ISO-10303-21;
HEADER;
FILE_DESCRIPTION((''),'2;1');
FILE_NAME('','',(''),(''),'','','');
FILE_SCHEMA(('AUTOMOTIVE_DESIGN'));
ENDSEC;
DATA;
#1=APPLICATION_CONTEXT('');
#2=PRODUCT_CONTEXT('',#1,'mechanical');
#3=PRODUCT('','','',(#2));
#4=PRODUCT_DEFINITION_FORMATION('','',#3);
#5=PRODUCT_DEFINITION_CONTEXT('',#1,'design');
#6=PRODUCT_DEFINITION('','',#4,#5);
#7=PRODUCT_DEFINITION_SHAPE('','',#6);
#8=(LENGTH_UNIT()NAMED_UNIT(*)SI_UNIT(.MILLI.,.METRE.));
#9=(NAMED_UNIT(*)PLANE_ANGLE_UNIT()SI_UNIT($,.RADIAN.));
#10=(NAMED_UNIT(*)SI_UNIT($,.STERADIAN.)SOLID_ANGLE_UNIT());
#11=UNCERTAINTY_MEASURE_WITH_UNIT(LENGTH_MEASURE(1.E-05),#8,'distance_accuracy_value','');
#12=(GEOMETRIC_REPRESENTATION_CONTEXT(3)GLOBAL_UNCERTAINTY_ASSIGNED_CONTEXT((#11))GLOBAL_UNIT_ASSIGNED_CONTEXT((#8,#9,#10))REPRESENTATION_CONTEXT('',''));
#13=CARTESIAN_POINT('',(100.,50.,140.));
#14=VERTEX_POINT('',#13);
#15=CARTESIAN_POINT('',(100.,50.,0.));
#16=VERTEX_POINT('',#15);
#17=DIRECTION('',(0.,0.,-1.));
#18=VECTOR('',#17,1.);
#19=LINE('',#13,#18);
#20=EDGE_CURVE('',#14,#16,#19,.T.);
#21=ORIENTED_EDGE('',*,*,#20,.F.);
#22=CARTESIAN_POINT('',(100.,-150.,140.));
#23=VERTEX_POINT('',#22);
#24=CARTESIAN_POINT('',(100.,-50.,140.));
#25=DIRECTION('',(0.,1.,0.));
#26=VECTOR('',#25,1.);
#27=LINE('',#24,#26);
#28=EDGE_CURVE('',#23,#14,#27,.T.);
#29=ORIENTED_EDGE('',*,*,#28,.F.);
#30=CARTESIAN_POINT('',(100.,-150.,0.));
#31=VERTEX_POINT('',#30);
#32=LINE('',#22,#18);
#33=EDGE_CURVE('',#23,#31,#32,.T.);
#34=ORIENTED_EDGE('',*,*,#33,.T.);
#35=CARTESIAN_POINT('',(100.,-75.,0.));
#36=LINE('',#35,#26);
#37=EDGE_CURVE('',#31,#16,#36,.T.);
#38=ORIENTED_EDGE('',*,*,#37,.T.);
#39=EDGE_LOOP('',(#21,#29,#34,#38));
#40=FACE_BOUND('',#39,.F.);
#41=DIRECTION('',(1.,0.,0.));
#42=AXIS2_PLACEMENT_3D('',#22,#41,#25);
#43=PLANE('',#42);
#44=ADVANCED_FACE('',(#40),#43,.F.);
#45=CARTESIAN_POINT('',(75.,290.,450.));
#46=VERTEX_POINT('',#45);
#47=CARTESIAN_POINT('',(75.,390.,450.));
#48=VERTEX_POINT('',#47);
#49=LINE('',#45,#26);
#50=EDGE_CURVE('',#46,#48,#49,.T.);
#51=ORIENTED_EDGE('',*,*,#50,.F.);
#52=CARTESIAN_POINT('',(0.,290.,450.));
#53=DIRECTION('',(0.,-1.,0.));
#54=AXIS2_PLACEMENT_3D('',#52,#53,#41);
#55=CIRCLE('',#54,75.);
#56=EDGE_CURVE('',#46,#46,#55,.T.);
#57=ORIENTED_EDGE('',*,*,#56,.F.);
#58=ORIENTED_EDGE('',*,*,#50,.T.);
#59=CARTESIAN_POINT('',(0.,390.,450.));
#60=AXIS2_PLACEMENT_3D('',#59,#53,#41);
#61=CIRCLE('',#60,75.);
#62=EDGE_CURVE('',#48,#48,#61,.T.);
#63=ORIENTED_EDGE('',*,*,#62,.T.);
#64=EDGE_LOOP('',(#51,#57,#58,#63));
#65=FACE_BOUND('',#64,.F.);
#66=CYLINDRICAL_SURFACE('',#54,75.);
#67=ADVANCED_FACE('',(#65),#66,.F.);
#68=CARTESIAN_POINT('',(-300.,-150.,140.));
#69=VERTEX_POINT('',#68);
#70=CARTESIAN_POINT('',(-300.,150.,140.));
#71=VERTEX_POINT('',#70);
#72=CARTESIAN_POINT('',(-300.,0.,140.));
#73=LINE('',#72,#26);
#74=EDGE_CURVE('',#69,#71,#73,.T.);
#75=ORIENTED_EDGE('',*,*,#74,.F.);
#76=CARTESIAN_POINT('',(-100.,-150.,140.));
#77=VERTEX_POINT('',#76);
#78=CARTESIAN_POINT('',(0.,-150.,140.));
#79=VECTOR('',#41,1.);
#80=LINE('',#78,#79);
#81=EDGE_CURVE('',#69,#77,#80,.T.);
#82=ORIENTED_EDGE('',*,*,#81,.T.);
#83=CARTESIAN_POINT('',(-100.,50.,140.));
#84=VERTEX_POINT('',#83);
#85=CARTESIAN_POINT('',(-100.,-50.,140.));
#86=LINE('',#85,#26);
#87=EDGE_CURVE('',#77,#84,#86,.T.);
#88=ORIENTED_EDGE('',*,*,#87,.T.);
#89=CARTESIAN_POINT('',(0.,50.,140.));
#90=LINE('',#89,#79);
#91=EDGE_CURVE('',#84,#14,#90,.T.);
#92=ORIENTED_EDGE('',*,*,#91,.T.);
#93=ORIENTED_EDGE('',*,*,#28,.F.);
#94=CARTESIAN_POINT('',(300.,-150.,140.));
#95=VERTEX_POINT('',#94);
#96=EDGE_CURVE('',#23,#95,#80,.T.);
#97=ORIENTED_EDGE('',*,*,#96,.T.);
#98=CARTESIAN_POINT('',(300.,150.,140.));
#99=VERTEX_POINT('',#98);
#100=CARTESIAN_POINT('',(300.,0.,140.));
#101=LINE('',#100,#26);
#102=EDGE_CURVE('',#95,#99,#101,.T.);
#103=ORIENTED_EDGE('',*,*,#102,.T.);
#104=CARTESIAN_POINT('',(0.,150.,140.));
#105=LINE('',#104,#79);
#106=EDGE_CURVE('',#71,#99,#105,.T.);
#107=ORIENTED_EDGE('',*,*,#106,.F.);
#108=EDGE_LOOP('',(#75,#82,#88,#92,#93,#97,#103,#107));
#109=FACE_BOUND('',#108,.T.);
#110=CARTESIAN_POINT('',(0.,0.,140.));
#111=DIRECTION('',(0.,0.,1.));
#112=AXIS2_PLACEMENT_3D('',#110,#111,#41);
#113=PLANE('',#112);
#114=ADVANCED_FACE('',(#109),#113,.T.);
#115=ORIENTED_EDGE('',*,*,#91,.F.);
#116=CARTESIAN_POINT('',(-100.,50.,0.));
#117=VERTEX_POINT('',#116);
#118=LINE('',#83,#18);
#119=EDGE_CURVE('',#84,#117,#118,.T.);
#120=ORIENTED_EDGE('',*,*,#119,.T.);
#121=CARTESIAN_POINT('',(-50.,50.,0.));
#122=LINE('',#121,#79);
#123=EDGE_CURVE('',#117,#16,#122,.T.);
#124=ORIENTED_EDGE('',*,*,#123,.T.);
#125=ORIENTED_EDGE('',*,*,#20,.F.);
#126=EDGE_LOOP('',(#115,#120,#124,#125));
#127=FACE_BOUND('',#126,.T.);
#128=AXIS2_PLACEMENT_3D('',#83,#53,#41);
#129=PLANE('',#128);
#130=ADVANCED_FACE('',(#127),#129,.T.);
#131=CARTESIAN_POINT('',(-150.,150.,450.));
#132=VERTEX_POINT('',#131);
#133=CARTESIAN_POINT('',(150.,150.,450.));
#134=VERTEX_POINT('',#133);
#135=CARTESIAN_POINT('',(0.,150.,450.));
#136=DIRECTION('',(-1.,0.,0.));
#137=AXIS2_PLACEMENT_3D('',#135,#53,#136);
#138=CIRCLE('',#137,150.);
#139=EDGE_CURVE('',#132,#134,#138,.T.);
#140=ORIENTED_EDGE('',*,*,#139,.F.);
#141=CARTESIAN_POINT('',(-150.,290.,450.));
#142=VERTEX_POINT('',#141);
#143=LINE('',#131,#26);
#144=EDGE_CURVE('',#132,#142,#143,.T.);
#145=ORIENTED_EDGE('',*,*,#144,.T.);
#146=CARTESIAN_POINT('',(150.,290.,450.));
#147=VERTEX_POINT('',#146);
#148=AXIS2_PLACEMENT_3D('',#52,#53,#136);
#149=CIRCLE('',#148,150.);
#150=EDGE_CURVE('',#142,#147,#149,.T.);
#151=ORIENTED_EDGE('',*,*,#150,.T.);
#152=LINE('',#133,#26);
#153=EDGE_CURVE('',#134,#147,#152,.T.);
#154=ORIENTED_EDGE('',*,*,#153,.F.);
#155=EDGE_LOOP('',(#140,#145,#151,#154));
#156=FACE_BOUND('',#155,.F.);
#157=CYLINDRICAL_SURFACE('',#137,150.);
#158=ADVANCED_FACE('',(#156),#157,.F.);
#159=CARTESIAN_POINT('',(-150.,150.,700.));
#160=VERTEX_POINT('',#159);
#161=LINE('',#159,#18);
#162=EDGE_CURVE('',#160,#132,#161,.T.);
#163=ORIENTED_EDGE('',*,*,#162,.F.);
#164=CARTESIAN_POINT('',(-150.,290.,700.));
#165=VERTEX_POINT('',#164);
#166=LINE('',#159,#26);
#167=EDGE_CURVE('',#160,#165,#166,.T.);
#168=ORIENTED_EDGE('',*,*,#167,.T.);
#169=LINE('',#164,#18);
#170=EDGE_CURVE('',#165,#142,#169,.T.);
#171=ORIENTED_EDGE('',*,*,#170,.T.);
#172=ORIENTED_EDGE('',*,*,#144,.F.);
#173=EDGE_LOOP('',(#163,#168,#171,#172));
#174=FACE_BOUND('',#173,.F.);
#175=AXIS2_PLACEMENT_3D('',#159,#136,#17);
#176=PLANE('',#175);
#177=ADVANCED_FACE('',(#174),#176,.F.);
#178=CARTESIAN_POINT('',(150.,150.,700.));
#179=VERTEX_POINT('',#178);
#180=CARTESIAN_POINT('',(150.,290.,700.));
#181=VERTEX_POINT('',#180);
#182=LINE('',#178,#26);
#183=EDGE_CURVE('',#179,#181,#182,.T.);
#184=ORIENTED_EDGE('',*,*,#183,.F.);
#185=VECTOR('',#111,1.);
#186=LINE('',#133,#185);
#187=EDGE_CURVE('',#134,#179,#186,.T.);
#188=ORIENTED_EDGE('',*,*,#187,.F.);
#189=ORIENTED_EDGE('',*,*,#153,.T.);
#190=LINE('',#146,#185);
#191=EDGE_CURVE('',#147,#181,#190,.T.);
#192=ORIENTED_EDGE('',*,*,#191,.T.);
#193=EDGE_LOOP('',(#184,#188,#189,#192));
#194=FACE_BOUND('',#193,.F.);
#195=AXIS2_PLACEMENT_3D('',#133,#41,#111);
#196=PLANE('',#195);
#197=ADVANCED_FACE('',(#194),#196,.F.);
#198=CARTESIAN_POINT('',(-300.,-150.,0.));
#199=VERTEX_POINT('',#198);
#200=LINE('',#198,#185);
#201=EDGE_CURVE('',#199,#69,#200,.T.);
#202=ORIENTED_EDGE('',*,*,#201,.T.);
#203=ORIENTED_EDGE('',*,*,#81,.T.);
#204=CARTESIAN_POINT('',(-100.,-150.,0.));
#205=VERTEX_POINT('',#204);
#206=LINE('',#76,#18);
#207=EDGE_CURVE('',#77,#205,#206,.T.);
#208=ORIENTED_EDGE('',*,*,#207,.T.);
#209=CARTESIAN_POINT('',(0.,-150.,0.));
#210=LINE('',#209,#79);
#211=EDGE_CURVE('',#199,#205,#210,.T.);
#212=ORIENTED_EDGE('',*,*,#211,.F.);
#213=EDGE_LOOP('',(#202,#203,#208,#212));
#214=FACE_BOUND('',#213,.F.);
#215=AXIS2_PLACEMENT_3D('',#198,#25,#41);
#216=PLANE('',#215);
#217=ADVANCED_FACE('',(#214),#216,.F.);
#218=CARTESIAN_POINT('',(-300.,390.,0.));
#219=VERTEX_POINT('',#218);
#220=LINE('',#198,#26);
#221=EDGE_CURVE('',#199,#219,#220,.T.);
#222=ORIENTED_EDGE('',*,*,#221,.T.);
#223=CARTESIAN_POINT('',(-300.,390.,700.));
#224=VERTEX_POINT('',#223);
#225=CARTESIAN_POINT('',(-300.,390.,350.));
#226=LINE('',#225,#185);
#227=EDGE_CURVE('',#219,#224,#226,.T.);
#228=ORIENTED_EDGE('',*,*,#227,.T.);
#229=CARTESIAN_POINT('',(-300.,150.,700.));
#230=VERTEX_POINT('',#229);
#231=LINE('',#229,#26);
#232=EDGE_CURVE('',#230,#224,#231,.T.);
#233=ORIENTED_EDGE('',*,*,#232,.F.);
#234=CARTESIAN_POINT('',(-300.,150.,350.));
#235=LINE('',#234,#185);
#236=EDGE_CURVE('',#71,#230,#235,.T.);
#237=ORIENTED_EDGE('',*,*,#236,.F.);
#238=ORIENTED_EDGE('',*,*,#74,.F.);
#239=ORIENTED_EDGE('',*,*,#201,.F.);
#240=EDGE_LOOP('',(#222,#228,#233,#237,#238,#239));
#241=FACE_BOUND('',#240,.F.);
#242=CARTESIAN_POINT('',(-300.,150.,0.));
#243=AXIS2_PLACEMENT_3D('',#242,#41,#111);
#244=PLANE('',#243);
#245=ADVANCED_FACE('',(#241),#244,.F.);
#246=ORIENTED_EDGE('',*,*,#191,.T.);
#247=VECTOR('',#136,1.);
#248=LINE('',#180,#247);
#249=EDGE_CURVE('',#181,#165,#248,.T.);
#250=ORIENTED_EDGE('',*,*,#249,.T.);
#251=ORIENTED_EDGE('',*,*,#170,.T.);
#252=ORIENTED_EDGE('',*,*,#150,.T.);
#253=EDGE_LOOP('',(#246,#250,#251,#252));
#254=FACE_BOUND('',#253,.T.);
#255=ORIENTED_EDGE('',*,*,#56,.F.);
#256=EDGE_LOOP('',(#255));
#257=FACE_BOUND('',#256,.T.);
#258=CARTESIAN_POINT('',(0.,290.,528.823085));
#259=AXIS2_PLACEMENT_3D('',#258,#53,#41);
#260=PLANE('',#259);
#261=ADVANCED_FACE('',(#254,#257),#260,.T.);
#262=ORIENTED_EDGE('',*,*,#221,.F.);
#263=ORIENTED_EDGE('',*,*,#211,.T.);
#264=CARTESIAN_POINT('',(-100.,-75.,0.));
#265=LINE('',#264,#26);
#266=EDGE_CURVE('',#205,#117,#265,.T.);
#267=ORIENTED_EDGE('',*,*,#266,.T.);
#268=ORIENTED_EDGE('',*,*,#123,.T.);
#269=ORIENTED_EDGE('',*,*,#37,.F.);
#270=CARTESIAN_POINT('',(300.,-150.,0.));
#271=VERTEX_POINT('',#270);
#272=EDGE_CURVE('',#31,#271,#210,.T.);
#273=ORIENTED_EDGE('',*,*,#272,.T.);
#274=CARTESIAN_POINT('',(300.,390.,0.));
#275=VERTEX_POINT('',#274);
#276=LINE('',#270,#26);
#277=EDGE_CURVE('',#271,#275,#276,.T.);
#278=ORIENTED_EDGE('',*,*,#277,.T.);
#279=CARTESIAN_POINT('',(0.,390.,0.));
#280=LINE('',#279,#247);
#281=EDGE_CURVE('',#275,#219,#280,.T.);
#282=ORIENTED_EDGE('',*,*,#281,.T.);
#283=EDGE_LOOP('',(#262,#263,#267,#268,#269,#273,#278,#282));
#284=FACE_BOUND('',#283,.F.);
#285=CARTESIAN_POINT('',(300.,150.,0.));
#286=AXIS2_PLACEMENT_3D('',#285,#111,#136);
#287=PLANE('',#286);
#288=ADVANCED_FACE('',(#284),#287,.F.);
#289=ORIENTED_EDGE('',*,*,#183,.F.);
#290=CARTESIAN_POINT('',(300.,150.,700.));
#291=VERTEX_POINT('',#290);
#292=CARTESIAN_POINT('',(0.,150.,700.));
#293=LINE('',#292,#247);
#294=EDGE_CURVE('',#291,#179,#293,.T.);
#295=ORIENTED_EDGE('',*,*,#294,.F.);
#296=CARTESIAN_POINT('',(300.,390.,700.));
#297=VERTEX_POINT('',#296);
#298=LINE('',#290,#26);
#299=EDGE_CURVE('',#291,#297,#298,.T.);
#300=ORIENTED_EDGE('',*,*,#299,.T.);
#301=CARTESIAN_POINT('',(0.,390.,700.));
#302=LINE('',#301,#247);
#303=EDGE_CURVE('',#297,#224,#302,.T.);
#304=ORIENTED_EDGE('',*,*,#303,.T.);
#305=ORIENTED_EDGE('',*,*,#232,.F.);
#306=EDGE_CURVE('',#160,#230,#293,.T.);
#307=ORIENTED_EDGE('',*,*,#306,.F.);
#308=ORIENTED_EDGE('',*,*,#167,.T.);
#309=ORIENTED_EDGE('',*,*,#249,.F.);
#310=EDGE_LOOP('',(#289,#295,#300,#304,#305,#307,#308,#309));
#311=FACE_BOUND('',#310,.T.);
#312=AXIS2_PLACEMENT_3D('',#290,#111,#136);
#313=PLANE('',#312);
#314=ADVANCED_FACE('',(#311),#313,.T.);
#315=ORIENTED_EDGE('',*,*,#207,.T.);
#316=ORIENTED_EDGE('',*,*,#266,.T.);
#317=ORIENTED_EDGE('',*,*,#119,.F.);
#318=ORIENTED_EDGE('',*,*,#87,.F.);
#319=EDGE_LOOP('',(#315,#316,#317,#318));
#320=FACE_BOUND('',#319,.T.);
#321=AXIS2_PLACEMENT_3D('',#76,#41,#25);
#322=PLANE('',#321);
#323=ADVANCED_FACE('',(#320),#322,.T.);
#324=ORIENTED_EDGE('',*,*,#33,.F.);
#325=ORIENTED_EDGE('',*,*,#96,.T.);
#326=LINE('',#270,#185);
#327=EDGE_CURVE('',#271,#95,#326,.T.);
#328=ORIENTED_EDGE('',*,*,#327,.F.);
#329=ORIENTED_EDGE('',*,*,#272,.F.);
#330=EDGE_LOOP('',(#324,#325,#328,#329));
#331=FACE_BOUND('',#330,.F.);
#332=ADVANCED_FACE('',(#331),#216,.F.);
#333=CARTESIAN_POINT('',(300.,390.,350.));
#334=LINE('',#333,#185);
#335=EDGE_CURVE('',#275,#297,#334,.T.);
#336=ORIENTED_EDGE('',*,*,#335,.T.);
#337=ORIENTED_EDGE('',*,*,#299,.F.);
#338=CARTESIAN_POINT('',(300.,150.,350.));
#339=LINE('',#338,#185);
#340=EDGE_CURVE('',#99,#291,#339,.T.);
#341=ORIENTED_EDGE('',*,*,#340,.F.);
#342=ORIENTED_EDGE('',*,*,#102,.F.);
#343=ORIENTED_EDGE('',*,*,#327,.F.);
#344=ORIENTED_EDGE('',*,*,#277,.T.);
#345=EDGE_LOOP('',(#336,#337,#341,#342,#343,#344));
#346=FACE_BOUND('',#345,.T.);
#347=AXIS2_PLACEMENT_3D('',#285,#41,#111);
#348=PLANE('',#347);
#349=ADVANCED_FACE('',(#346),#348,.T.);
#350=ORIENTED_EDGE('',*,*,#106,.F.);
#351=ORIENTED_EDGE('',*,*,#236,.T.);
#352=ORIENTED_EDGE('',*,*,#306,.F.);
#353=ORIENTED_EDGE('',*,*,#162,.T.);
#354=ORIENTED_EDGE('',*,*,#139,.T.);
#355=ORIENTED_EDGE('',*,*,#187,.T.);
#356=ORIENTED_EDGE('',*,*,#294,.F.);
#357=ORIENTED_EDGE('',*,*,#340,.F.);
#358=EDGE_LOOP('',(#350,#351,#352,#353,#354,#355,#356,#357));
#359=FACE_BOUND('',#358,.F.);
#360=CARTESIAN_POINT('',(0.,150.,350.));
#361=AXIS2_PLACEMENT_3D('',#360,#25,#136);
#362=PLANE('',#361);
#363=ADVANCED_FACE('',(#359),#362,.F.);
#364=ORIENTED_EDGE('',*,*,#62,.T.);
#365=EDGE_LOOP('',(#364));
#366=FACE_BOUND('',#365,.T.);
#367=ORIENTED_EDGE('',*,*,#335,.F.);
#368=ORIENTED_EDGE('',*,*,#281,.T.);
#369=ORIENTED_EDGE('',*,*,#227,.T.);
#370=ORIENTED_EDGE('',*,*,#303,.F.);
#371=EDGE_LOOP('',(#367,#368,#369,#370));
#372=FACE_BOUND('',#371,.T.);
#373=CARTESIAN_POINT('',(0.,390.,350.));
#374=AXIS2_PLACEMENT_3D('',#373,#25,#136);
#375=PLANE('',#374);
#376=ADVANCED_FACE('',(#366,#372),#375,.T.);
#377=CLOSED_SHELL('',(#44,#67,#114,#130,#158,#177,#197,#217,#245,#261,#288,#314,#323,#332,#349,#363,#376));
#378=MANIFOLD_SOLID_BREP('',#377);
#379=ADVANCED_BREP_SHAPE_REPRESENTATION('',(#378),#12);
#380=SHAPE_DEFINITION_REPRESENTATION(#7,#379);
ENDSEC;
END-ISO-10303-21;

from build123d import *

# Parameters (mm, degrees)
F0_W     = 600
F0_H     = 300
F1_DEPTH = 140
F2_W     = 200
F2_H     = 200
F3_DEPTH = 140.001
F4_W     = 600
F4_H     = 700
F5_DEPTH = 240
F7_DEPTH = 140
F8_R     = 75
F9_DEPTH = 100.001


with BuildPart() as f1:
    # F0 (on Top) → F1 (new body)
    with BuildSketch(Plane.XY):
        Rectangle(F0_W, F0_H)
    extrude(amount=F1_DEPTH)

    # F2 (on face) → F3 (cut, through all)
    with BuildSketch(Plane.XY.offset(140)):
        with Locations((0, -50)):
            Rectangle(F2_W, F2_H)
    extrude(amount=-F3_DEPTH, mode=Mode.SUBTRACT)

    # F4 (on face) → F5 (join)
    with BuildSketch(Plane(origin=(0, 150, 0), x_dir=(-1, 0, 0), z_dir=(0, 1, 0))):
        with Locations((0, 350)):
            Rectangle(F4_W, F4_H)
    extrude(amount=F5_DEPTH)

    # F6 (on face) → F7 (cut)
    with BuildSketch(Plane.XZ.offset(-150)):
        with BuildLine():
            Line((150, 450), (150, 700))
            Line((150, 700), (-150, 700))
            Line((-150, 700), (-150, 450))
            ThreePointArc((-150, 450), (0, 300), (150, 450))
        make_face()
    extrude(amount=-F7_DEPTH, mode=Mode.SUBTRACT)

    # F8 (on face) → F9 (cut, through all)
    with BuildSketch(Plane.XZ.offset(-290)):
        with Locations((0, 450)):
            Circle(F8_R)
    extrude(amount=-F9_DEPTH, mode=Mode.SUBTRACT)


solid = f1.part
